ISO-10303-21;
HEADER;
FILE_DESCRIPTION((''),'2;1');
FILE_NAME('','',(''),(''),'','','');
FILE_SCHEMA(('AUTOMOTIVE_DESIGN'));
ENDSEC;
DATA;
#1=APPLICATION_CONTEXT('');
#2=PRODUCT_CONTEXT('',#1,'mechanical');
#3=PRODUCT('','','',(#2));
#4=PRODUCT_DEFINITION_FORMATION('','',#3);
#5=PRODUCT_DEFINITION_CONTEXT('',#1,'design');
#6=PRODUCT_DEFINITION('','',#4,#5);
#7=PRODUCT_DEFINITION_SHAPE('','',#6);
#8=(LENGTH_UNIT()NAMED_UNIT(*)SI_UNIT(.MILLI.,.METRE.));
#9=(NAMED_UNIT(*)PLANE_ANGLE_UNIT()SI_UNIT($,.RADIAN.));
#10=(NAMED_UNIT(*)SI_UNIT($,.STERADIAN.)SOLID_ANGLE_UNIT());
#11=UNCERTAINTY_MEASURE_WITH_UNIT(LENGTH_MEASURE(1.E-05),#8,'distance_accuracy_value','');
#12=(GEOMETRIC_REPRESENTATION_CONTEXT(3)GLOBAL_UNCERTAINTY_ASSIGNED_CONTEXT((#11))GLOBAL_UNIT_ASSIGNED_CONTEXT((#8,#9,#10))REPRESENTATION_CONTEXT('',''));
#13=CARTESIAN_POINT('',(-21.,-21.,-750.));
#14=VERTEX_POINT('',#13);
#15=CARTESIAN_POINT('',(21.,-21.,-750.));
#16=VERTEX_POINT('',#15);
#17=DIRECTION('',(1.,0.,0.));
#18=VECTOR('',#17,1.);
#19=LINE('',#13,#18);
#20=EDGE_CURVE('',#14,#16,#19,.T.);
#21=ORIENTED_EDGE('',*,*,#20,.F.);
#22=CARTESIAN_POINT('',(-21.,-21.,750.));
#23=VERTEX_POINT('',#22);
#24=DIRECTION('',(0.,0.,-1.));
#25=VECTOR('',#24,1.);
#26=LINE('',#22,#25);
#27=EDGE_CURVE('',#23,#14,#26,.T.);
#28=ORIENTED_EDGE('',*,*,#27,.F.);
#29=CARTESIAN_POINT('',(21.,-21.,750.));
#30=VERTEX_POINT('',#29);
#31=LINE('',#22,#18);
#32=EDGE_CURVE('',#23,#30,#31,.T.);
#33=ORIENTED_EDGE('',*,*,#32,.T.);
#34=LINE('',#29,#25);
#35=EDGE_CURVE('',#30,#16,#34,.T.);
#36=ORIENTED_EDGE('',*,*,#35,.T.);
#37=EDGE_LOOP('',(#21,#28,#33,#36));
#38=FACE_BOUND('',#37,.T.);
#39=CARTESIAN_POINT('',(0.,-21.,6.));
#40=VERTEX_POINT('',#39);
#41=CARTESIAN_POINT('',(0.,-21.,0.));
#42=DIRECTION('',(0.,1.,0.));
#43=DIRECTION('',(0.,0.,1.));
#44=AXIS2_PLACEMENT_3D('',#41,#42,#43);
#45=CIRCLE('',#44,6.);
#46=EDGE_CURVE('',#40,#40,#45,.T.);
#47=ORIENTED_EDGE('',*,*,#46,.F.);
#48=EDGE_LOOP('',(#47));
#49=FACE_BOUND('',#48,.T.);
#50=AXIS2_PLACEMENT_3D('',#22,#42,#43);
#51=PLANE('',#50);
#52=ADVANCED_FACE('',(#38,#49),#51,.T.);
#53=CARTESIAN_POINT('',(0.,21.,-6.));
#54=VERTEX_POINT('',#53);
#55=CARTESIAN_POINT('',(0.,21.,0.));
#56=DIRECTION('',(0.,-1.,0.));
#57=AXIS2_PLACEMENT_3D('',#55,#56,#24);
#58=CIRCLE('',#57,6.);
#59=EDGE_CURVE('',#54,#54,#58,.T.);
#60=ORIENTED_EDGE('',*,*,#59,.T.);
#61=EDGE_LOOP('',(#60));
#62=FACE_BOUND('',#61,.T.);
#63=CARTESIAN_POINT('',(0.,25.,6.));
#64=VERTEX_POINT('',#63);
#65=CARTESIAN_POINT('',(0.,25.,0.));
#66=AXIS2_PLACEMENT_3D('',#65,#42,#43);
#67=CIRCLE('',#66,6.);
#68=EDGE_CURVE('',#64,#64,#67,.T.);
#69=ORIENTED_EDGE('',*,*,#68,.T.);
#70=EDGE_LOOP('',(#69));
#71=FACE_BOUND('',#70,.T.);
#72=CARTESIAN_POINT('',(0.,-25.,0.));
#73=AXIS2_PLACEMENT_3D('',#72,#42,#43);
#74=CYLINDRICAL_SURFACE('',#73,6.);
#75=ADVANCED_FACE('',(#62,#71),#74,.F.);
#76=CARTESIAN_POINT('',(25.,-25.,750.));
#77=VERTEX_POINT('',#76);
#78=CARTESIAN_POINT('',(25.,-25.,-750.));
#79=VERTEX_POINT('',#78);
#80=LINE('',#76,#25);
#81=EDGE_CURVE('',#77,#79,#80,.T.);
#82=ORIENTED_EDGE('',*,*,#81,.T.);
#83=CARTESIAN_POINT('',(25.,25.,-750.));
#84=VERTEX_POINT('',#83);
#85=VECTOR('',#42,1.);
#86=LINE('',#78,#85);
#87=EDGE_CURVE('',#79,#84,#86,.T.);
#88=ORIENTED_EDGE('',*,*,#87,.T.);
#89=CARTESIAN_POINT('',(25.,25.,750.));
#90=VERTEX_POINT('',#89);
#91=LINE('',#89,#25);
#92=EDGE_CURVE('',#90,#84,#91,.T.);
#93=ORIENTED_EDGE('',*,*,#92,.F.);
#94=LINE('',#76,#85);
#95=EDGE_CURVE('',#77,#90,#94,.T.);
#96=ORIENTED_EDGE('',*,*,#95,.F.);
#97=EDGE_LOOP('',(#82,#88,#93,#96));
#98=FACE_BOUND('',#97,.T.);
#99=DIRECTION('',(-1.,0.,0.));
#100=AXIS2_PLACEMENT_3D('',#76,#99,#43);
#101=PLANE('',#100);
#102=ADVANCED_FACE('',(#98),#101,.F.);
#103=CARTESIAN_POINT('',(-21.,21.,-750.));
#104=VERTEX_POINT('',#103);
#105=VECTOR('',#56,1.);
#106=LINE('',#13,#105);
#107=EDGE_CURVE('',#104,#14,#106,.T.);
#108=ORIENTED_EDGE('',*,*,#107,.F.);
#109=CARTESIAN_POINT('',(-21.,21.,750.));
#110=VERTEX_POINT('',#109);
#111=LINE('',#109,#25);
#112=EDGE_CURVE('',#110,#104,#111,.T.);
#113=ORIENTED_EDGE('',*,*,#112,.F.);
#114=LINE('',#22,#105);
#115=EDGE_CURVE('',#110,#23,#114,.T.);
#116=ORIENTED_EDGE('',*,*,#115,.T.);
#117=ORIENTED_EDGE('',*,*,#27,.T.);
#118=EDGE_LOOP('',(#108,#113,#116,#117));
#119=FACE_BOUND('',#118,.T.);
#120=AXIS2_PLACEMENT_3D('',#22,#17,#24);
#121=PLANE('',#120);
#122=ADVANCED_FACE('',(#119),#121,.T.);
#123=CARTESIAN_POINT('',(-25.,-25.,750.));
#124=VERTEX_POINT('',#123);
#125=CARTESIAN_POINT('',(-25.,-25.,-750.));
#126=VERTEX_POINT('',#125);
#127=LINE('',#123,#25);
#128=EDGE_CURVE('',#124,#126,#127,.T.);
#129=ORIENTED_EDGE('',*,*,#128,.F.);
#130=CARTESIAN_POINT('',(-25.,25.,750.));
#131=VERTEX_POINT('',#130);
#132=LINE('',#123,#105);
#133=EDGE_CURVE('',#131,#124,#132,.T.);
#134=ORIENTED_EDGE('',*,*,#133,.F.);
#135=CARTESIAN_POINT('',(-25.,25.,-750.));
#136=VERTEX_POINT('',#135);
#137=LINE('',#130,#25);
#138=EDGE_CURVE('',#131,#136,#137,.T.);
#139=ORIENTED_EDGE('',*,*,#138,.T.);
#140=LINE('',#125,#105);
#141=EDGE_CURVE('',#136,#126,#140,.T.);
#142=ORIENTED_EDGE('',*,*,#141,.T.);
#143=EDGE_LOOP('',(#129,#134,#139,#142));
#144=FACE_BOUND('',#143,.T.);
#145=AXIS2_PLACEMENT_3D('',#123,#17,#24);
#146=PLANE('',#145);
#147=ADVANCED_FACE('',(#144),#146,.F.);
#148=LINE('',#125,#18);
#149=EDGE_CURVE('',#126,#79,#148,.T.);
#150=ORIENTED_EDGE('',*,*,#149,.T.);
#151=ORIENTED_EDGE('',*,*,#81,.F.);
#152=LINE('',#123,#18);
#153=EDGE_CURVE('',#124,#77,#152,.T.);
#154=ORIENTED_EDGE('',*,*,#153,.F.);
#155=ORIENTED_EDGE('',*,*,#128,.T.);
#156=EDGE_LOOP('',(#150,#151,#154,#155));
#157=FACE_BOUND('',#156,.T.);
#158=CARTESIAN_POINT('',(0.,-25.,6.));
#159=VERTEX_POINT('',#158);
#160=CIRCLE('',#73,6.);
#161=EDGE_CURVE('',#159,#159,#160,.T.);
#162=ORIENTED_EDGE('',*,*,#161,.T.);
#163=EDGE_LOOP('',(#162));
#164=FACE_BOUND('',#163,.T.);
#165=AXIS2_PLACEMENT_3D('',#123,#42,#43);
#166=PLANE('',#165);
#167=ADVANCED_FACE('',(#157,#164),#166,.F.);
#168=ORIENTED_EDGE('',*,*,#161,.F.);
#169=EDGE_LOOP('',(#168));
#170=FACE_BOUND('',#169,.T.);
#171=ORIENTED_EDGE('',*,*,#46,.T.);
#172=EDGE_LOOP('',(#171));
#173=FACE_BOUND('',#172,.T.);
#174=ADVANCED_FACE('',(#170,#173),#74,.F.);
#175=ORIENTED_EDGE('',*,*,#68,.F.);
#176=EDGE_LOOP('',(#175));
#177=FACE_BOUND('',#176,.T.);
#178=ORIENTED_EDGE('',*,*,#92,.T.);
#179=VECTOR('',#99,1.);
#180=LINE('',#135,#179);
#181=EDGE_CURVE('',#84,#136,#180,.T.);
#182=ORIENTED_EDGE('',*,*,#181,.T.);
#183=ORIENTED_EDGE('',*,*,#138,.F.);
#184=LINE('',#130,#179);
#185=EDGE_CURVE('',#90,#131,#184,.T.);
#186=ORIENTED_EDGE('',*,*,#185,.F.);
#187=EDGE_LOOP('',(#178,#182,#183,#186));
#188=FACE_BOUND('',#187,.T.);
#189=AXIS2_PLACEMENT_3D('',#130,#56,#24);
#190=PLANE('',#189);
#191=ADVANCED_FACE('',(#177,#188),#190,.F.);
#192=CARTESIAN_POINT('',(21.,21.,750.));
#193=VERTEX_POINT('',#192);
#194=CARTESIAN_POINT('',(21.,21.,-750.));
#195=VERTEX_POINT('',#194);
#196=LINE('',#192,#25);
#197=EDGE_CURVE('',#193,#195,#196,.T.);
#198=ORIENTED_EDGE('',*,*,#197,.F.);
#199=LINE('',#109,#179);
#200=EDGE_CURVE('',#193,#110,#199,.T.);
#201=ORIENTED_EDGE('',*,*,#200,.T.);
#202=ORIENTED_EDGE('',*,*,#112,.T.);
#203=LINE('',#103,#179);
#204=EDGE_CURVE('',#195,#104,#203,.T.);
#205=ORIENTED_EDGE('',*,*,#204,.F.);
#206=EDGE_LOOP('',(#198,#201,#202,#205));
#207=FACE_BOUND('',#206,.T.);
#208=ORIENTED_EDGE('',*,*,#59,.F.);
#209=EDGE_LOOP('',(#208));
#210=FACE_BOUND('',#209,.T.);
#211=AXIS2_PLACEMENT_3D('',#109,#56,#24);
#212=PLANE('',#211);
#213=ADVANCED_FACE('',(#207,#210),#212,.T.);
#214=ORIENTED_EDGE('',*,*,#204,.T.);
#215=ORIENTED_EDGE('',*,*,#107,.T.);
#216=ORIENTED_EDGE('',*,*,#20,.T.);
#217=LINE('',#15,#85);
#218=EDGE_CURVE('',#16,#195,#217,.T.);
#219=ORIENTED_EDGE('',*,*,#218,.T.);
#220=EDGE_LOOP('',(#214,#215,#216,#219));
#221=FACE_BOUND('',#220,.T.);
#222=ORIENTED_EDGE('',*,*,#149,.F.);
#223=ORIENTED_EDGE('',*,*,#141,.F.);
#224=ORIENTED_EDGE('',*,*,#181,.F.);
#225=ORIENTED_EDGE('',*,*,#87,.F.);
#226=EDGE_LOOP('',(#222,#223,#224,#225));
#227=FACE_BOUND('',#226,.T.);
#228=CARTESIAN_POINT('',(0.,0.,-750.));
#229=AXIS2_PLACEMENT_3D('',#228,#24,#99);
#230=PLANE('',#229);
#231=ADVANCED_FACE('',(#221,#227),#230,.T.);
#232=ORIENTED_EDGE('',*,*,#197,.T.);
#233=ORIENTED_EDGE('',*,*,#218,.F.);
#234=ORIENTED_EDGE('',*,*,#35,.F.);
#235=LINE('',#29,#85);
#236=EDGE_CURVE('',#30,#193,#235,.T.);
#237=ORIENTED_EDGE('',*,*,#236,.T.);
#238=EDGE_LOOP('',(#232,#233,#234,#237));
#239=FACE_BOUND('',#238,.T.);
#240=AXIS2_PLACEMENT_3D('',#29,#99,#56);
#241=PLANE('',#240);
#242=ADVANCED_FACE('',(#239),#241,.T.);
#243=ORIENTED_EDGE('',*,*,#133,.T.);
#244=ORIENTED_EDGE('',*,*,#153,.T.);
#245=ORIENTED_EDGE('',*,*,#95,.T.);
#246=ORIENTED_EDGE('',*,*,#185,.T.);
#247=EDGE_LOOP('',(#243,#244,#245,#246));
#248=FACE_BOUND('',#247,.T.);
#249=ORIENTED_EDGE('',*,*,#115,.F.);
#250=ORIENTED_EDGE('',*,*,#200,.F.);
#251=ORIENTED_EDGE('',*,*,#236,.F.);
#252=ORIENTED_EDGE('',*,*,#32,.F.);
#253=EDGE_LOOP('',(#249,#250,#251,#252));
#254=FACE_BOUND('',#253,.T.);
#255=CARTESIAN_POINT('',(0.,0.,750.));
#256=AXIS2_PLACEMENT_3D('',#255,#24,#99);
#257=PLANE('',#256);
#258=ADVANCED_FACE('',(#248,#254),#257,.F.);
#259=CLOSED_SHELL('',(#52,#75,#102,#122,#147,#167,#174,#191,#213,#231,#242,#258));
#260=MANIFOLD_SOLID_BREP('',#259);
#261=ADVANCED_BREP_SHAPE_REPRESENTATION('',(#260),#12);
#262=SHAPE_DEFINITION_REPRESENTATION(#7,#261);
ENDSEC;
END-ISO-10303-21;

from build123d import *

# Parameters (mm, degrees)
SKETCH_1_W          = 50
SKETCH_1_H          = 50
SKETCH_1_W_2        = 42
SKETCH_1_H_2        = 42
EXTRUDE_1_DEPTH     = 750
SKETCH_2_R          = 6
CUT_EXTRUDE_1_DEPTH = 753.080447825


with BuildPart() as part:
    # 草图1 → 凸台-拉伸1 (new, symmetric)
    with BuildSketch(Plane.XY):
        Rectangle(SKETCH_1_W, SKETCH_1_H)
        Rectangle(SKETCH_1_W_2, SKETCH_1_H_2, mode=Mode.SUBTRACT)
    extrude(amount=EXTRUDE_1_DEPTH, both=True)

    # 草图2 → 切除-拉伸1 (cut, through all)
    with BuildSketch(Plane(origin=(0, 25, 0), x_dir=(1, 0, 0), z_dir=(0, 1, 0))):
        with Locations(Location((0, 0, 0), (0, 0, 270))):
            Circle(SKETCH_2_R)
    extrude(amount=-CUT_EXTRUDE_1_DEPTH, mode=Mode.SUBTRACT)


solid = part.part
